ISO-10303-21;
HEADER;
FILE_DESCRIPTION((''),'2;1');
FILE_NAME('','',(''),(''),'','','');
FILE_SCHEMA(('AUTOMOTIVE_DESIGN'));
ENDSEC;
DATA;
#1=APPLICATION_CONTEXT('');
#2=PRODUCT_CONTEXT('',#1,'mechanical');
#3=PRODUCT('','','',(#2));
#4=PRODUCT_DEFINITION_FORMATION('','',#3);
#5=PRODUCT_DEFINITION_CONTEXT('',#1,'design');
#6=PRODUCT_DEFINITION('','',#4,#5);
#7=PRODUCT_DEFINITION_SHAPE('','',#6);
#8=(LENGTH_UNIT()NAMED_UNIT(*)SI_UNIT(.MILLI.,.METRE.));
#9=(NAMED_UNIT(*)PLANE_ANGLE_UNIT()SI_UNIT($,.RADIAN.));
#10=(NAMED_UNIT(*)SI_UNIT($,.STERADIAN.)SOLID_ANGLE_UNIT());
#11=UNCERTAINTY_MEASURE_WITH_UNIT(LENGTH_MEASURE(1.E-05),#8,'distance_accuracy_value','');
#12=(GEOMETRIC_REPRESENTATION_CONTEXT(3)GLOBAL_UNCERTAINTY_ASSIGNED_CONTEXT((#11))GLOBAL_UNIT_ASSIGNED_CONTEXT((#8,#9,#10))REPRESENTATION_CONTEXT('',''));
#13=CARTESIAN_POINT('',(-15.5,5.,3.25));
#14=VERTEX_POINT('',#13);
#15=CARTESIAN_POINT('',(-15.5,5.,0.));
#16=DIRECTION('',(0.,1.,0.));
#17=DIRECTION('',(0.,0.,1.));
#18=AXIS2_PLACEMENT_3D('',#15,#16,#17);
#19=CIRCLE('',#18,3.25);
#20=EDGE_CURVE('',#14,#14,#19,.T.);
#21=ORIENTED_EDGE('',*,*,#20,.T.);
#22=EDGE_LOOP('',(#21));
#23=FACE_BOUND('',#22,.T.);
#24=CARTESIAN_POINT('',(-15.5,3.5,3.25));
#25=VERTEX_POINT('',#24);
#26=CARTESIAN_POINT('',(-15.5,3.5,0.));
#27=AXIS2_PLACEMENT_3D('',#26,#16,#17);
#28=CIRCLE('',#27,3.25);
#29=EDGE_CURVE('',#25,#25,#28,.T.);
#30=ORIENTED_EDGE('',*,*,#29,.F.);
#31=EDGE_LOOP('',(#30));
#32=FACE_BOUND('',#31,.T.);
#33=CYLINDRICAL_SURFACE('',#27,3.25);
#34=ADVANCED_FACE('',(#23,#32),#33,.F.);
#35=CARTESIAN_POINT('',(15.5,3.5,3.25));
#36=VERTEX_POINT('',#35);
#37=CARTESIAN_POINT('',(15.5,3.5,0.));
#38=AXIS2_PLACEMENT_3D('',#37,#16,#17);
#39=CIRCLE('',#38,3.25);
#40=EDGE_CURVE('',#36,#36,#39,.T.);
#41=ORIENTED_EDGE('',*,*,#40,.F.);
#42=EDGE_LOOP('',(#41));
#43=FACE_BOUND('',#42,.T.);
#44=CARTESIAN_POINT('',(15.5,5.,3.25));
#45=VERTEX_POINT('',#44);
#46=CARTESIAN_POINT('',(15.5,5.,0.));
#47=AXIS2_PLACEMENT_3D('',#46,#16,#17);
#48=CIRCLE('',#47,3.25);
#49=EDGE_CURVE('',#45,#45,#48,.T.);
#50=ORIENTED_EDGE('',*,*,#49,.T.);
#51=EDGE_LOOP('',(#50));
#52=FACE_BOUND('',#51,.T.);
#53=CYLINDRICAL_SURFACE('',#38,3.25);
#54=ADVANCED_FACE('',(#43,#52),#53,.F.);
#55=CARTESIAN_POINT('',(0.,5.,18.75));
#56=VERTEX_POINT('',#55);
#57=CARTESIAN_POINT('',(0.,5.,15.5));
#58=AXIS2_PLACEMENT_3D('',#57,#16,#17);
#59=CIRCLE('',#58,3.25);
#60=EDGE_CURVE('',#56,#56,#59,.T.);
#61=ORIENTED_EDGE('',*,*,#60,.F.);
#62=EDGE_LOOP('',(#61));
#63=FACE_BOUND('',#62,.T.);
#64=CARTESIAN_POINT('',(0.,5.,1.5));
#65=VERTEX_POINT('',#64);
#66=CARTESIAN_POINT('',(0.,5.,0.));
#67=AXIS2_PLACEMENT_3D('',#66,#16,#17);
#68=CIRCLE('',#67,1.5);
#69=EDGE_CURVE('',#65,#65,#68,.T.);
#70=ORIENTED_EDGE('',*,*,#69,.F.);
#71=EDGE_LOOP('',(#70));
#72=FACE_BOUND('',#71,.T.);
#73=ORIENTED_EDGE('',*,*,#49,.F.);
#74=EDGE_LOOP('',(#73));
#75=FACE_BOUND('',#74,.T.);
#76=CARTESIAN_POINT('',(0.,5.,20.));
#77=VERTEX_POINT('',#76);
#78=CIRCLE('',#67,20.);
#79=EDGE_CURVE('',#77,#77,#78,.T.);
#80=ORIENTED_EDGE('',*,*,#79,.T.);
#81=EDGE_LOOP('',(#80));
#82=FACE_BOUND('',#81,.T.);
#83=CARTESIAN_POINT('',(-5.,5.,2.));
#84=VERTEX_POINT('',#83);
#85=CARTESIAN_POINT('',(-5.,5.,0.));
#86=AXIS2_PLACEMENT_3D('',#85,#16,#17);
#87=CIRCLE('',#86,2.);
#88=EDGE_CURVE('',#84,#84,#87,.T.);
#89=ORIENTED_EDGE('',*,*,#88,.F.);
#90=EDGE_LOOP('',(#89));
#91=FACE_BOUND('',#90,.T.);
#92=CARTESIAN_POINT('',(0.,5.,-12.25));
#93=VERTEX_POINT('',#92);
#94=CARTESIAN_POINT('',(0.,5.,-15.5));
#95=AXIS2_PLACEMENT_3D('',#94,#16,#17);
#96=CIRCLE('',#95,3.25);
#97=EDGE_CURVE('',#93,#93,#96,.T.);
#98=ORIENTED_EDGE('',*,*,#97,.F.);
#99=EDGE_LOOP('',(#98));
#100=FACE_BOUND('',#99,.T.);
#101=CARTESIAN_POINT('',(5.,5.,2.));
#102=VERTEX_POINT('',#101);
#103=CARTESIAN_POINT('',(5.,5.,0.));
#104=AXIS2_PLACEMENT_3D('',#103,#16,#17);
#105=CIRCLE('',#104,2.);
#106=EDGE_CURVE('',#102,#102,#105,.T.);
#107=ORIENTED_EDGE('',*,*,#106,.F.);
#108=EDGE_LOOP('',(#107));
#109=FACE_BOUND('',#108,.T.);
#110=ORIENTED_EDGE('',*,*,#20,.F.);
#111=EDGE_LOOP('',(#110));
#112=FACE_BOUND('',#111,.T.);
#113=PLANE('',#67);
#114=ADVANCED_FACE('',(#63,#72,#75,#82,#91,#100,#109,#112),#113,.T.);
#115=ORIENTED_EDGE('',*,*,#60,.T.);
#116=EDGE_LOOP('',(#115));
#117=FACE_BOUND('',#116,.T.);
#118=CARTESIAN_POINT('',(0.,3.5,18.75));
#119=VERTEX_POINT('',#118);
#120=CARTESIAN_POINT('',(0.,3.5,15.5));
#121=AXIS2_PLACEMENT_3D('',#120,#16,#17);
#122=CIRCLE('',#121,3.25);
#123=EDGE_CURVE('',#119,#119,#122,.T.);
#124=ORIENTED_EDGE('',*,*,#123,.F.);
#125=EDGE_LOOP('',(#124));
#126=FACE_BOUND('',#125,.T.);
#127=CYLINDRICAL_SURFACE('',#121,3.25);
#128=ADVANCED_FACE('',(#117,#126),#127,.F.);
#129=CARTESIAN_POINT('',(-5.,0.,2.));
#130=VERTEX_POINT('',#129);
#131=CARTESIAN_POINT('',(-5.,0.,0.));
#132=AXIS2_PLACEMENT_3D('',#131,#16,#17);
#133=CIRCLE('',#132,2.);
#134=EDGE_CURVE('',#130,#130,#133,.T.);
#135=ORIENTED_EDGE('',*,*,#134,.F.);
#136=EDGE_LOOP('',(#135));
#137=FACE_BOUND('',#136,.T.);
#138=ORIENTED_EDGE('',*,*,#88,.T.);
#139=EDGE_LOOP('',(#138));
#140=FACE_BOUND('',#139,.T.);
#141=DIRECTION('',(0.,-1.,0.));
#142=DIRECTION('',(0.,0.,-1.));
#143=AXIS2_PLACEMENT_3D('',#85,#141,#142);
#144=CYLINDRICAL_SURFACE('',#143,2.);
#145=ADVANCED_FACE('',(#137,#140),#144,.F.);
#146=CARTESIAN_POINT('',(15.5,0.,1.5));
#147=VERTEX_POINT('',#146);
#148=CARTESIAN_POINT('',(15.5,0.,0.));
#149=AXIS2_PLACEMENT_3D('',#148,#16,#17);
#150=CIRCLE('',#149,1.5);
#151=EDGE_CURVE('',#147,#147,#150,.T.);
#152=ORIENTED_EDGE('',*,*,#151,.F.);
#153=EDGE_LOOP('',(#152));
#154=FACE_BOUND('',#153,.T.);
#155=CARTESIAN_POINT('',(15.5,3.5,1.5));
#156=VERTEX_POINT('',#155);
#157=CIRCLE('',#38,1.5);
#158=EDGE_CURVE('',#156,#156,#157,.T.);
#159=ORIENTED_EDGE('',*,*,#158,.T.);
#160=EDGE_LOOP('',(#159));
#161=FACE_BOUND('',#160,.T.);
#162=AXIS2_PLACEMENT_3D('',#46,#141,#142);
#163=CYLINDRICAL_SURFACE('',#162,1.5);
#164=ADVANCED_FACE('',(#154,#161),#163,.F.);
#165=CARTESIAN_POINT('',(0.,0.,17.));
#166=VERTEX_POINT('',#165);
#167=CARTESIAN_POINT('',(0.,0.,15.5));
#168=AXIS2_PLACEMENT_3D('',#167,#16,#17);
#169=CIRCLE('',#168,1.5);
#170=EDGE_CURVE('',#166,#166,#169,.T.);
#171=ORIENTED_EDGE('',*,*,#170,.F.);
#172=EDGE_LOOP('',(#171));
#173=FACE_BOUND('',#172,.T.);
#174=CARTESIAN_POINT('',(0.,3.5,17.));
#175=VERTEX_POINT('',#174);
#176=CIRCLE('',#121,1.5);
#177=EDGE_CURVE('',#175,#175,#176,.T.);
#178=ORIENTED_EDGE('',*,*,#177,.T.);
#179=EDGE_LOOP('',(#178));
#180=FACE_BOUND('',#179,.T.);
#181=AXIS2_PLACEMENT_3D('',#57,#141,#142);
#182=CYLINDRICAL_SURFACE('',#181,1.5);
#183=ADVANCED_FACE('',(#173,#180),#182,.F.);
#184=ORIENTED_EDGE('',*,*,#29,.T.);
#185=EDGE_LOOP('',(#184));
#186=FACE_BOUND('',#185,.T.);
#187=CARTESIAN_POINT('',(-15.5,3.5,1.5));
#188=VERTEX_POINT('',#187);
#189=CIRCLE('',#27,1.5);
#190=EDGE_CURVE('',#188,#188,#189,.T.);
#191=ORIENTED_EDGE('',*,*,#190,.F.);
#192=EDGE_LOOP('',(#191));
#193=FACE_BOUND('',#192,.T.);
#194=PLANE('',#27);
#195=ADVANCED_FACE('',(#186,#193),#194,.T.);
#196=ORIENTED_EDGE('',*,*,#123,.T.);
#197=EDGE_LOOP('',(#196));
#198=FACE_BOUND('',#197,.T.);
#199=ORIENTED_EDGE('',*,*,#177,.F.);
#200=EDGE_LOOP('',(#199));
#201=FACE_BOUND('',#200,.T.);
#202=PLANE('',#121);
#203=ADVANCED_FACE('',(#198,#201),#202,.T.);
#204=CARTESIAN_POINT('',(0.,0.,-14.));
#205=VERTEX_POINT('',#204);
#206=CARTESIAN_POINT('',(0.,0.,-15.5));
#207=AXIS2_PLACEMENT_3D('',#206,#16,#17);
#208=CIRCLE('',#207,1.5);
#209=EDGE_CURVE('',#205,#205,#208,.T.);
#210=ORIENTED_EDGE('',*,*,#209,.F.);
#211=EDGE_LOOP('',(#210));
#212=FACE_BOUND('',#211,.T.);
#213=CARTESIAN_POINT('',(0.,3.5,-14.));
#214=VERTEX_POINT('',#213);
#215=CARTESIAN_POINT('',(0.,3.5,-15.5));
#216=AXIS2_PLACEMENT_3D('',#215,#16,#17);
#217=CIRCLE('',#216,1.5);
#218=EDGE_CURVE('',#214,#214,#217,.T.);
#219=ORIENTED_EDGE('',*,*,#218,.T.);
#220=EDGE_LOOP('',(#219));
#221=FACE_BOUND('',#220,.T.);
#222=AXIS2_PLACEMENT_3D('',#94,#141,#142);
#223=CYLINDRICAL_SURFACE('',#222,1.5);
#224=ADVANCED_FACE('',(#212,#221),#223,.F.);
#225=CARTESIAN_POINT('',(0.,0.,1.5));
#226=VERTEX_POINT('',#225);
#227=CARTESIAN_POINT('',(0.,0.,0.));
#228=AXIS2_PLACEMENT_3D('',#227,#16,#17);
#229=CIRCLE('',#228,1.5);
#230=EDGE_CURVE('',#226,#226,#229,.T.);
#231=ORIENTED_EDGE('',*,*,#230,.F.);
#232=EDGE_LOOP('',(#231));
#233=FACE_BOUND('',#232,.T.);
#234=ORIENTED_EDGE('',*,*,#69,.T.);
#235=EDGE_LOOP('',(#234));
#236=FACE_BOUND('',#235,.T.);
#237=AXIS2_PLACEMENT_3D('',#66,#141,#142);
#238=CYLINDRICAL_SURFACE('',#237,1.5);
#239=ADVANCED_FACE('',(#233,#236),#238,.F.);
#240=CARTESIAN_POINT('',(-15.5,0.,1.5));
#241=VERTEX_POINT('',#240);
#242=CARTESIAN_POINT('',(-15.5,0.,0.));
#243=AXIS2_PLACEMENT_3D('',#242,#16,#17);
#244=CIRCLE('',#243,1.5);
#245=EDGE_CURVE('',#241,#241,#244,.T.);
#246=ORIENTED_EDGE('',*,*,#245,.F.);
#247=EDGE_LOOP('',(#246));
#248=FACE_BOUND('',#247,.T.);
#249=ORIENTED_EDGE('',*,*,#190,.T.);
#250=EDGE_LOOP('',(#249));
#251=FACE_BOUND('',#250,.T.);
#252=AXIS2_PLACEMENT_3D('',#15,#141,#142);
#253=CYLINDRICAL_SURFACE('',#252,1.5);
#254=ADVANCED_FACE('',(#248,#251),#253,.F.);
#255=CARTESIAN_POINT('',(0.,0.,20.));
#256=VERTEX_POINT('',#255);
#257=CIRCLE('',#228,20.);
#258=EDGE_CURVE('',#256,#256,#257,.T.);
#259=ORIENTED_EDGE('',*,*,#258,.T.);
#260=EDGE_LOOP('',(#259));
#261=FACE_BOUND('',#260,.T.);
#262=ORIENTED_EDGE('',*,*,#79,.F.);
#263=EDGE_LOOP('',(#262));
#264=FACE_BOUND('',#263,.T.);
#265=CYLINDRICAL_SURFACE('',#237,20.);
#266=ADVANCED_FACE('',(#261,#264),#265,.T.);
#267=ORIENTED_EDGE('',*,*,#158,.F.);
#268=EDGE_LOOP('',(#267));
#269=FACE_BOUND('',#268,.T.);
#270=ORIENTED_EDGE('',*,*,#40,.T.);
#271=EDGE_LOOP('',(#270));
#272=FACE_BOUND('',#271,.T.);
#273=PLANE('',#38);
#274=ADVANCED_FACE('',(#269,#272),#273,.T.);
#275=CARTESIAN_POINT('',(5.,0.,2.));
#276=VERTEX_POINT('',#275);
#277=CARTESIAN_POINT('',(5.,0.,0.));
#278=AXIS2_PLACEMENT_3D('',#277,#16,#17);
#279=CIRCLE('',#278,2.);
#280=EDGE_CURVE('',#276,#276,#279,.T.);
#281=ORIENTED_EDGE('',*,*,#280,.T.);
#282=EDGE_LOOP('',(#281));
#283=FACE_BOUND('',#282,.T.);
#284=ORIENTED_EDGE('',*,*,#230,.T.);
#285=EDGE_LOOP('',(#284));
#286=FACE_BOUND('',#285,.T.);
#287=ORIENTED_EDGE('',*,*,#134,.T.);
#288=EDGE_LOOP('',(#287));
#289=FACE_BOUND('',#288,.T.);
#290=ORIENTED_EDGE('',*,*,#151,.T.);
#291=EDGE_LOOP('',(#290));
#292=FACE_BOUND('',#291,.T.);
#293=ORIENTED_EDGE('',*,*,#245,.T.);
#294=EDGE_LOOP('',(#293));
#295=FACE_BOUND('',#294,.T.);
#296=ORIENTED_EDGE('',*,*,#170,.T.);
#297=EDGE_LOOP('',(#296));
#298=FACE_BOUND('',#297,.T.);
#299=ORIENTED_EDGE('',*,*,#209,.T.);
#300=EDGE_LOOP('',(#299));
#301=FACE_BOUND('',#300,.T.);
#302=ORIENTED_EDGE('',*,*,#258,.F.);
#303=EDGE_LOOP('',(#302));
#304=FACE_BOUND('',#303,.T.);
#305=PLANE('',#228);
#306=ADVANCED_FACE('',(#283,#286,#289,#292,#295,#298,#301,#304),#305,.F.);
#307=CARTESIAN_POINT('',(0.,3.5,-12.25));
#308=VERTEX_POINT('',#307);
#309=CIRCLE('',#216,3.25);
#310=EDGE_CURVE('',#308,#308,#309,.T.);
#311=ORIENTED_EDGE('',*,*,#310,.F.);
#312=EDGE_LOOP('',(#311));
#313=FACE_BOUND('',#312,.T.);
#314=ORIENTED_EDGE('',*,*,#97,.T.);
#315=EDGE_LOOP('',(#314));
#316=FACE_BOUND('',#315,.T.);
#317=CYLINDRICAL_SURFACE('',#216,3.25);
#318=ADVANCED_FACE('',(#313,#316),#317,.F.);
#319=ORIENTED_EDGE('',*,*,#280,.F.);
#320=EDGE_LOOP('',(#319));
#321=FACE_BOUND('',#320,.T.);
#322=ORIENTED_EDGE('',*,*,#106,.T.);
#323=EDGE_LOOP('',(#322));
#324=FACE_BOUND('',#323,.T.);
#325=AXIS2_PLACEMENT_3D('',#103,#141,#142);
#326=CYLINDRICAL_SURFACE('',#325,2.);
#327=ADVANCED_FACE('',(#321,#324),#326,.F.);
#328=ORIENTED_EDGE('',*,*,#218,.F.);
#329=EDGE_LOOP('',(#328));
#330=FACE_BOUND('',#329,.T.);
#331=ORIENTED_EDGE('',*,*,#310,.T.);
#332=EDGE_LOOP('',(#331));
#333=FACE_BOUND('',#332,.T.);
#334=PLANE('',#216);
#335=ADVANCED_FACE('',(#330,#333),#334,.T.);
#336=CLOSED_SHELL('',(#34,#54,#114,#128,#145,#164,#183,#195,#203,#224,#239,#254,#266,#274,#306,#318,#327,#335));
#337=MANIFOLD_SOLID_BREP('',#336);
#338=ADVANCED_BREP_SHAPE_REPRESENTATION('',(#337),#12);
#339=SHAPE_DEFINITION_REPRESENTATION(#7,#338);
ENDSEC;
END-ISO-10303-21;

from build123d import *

# Parameters (mm, degrees)
SKETCH1_R           = 20
SKETCH1_R_2         = 1.5
SKETCH1_R_3         = 2
BOSS_EXTRUDE1_DEPTH = 5
SKETCH2_R           = 3.25
CUT_EXTRUDE1_DEPTH  = 1.5


with BuildPart() as part:
    # Sketch1 → Boss-Extrude1 (new body)
    with BuildSketch(Plane(origin=(0, 0, 0), x_dir=(1, 0, 0), z_dir=(0, 1, 0))):
        with Locations(Location((0, 0, 0), (0, 0, 270))):
            Circle(SKETCH1_R)
        with Locations(Location((0, 15.5, 0), (0, 0, 270))):
            Circle(SKETCH1_R_2, mode=Mode.SUBTRACT)
        with Locations(Location((15.5, 0, 0), (0, 0, 270))):
            Circle(SKETCH1_R_2, mode=Mode.SUBTRACT)
        with Locations(Location((0, -15.5, 0), (0, 0, 270))):
            Circle(SKETCH1_R_2, mode=Mode.SUBTRACT)
        with Locations(Location((-15.5, 0, 0), (0, 0, 270))):
            Circle(SKETCH1_R_2, mode=Mode.SUBTRACT)
        with Locations(Location((-5, 0, 0), (0, 0, 270))):
            Circle(SKETCH1_R_3, mode=Mode.SUBTRACT)
        with Locations(Location((5, 0, 0), (0, 0, 270))):
            Circle(SKETCH1_R_3, mode=Mode.SUBTRACT)
        with Locations(Location((0, 0, 0), (0, 0, 270))):
            Circle(SKETCH1_R_2, mode=Mode.SUBTRACT)
    extrude(amount=BOSS_EXTRUDE1_DEPTH)

    # Sketch2 → Cut-Extrude1 (cut)
    with BuildSketch(Plane(origin=(0, 5, 0), x_dir=(1, 0, 0), z_dir=(0, 1, 0))):
        with Locations(Location((0, 15.5, 0), (0, 0, 270))):
            Circle(SKETCH2_R)
        with Locations(Location((15.5, 0, 0), (0, 0, 270))):
            Circle(SKETCH2_R)
        with Locations(Location((0, -15.5, 0), (0, 0, 270))):
            Circle(SKETCH2_R)
        with Locations(Location((-15.5, 0, 0), (0, 0, 270))):
            Circle(SKETCH2_R)
    extrude(amount=-CUT_EXTRUDE1_DEPTH, mode=Mode.SUBTRACT)


solid = part.part
